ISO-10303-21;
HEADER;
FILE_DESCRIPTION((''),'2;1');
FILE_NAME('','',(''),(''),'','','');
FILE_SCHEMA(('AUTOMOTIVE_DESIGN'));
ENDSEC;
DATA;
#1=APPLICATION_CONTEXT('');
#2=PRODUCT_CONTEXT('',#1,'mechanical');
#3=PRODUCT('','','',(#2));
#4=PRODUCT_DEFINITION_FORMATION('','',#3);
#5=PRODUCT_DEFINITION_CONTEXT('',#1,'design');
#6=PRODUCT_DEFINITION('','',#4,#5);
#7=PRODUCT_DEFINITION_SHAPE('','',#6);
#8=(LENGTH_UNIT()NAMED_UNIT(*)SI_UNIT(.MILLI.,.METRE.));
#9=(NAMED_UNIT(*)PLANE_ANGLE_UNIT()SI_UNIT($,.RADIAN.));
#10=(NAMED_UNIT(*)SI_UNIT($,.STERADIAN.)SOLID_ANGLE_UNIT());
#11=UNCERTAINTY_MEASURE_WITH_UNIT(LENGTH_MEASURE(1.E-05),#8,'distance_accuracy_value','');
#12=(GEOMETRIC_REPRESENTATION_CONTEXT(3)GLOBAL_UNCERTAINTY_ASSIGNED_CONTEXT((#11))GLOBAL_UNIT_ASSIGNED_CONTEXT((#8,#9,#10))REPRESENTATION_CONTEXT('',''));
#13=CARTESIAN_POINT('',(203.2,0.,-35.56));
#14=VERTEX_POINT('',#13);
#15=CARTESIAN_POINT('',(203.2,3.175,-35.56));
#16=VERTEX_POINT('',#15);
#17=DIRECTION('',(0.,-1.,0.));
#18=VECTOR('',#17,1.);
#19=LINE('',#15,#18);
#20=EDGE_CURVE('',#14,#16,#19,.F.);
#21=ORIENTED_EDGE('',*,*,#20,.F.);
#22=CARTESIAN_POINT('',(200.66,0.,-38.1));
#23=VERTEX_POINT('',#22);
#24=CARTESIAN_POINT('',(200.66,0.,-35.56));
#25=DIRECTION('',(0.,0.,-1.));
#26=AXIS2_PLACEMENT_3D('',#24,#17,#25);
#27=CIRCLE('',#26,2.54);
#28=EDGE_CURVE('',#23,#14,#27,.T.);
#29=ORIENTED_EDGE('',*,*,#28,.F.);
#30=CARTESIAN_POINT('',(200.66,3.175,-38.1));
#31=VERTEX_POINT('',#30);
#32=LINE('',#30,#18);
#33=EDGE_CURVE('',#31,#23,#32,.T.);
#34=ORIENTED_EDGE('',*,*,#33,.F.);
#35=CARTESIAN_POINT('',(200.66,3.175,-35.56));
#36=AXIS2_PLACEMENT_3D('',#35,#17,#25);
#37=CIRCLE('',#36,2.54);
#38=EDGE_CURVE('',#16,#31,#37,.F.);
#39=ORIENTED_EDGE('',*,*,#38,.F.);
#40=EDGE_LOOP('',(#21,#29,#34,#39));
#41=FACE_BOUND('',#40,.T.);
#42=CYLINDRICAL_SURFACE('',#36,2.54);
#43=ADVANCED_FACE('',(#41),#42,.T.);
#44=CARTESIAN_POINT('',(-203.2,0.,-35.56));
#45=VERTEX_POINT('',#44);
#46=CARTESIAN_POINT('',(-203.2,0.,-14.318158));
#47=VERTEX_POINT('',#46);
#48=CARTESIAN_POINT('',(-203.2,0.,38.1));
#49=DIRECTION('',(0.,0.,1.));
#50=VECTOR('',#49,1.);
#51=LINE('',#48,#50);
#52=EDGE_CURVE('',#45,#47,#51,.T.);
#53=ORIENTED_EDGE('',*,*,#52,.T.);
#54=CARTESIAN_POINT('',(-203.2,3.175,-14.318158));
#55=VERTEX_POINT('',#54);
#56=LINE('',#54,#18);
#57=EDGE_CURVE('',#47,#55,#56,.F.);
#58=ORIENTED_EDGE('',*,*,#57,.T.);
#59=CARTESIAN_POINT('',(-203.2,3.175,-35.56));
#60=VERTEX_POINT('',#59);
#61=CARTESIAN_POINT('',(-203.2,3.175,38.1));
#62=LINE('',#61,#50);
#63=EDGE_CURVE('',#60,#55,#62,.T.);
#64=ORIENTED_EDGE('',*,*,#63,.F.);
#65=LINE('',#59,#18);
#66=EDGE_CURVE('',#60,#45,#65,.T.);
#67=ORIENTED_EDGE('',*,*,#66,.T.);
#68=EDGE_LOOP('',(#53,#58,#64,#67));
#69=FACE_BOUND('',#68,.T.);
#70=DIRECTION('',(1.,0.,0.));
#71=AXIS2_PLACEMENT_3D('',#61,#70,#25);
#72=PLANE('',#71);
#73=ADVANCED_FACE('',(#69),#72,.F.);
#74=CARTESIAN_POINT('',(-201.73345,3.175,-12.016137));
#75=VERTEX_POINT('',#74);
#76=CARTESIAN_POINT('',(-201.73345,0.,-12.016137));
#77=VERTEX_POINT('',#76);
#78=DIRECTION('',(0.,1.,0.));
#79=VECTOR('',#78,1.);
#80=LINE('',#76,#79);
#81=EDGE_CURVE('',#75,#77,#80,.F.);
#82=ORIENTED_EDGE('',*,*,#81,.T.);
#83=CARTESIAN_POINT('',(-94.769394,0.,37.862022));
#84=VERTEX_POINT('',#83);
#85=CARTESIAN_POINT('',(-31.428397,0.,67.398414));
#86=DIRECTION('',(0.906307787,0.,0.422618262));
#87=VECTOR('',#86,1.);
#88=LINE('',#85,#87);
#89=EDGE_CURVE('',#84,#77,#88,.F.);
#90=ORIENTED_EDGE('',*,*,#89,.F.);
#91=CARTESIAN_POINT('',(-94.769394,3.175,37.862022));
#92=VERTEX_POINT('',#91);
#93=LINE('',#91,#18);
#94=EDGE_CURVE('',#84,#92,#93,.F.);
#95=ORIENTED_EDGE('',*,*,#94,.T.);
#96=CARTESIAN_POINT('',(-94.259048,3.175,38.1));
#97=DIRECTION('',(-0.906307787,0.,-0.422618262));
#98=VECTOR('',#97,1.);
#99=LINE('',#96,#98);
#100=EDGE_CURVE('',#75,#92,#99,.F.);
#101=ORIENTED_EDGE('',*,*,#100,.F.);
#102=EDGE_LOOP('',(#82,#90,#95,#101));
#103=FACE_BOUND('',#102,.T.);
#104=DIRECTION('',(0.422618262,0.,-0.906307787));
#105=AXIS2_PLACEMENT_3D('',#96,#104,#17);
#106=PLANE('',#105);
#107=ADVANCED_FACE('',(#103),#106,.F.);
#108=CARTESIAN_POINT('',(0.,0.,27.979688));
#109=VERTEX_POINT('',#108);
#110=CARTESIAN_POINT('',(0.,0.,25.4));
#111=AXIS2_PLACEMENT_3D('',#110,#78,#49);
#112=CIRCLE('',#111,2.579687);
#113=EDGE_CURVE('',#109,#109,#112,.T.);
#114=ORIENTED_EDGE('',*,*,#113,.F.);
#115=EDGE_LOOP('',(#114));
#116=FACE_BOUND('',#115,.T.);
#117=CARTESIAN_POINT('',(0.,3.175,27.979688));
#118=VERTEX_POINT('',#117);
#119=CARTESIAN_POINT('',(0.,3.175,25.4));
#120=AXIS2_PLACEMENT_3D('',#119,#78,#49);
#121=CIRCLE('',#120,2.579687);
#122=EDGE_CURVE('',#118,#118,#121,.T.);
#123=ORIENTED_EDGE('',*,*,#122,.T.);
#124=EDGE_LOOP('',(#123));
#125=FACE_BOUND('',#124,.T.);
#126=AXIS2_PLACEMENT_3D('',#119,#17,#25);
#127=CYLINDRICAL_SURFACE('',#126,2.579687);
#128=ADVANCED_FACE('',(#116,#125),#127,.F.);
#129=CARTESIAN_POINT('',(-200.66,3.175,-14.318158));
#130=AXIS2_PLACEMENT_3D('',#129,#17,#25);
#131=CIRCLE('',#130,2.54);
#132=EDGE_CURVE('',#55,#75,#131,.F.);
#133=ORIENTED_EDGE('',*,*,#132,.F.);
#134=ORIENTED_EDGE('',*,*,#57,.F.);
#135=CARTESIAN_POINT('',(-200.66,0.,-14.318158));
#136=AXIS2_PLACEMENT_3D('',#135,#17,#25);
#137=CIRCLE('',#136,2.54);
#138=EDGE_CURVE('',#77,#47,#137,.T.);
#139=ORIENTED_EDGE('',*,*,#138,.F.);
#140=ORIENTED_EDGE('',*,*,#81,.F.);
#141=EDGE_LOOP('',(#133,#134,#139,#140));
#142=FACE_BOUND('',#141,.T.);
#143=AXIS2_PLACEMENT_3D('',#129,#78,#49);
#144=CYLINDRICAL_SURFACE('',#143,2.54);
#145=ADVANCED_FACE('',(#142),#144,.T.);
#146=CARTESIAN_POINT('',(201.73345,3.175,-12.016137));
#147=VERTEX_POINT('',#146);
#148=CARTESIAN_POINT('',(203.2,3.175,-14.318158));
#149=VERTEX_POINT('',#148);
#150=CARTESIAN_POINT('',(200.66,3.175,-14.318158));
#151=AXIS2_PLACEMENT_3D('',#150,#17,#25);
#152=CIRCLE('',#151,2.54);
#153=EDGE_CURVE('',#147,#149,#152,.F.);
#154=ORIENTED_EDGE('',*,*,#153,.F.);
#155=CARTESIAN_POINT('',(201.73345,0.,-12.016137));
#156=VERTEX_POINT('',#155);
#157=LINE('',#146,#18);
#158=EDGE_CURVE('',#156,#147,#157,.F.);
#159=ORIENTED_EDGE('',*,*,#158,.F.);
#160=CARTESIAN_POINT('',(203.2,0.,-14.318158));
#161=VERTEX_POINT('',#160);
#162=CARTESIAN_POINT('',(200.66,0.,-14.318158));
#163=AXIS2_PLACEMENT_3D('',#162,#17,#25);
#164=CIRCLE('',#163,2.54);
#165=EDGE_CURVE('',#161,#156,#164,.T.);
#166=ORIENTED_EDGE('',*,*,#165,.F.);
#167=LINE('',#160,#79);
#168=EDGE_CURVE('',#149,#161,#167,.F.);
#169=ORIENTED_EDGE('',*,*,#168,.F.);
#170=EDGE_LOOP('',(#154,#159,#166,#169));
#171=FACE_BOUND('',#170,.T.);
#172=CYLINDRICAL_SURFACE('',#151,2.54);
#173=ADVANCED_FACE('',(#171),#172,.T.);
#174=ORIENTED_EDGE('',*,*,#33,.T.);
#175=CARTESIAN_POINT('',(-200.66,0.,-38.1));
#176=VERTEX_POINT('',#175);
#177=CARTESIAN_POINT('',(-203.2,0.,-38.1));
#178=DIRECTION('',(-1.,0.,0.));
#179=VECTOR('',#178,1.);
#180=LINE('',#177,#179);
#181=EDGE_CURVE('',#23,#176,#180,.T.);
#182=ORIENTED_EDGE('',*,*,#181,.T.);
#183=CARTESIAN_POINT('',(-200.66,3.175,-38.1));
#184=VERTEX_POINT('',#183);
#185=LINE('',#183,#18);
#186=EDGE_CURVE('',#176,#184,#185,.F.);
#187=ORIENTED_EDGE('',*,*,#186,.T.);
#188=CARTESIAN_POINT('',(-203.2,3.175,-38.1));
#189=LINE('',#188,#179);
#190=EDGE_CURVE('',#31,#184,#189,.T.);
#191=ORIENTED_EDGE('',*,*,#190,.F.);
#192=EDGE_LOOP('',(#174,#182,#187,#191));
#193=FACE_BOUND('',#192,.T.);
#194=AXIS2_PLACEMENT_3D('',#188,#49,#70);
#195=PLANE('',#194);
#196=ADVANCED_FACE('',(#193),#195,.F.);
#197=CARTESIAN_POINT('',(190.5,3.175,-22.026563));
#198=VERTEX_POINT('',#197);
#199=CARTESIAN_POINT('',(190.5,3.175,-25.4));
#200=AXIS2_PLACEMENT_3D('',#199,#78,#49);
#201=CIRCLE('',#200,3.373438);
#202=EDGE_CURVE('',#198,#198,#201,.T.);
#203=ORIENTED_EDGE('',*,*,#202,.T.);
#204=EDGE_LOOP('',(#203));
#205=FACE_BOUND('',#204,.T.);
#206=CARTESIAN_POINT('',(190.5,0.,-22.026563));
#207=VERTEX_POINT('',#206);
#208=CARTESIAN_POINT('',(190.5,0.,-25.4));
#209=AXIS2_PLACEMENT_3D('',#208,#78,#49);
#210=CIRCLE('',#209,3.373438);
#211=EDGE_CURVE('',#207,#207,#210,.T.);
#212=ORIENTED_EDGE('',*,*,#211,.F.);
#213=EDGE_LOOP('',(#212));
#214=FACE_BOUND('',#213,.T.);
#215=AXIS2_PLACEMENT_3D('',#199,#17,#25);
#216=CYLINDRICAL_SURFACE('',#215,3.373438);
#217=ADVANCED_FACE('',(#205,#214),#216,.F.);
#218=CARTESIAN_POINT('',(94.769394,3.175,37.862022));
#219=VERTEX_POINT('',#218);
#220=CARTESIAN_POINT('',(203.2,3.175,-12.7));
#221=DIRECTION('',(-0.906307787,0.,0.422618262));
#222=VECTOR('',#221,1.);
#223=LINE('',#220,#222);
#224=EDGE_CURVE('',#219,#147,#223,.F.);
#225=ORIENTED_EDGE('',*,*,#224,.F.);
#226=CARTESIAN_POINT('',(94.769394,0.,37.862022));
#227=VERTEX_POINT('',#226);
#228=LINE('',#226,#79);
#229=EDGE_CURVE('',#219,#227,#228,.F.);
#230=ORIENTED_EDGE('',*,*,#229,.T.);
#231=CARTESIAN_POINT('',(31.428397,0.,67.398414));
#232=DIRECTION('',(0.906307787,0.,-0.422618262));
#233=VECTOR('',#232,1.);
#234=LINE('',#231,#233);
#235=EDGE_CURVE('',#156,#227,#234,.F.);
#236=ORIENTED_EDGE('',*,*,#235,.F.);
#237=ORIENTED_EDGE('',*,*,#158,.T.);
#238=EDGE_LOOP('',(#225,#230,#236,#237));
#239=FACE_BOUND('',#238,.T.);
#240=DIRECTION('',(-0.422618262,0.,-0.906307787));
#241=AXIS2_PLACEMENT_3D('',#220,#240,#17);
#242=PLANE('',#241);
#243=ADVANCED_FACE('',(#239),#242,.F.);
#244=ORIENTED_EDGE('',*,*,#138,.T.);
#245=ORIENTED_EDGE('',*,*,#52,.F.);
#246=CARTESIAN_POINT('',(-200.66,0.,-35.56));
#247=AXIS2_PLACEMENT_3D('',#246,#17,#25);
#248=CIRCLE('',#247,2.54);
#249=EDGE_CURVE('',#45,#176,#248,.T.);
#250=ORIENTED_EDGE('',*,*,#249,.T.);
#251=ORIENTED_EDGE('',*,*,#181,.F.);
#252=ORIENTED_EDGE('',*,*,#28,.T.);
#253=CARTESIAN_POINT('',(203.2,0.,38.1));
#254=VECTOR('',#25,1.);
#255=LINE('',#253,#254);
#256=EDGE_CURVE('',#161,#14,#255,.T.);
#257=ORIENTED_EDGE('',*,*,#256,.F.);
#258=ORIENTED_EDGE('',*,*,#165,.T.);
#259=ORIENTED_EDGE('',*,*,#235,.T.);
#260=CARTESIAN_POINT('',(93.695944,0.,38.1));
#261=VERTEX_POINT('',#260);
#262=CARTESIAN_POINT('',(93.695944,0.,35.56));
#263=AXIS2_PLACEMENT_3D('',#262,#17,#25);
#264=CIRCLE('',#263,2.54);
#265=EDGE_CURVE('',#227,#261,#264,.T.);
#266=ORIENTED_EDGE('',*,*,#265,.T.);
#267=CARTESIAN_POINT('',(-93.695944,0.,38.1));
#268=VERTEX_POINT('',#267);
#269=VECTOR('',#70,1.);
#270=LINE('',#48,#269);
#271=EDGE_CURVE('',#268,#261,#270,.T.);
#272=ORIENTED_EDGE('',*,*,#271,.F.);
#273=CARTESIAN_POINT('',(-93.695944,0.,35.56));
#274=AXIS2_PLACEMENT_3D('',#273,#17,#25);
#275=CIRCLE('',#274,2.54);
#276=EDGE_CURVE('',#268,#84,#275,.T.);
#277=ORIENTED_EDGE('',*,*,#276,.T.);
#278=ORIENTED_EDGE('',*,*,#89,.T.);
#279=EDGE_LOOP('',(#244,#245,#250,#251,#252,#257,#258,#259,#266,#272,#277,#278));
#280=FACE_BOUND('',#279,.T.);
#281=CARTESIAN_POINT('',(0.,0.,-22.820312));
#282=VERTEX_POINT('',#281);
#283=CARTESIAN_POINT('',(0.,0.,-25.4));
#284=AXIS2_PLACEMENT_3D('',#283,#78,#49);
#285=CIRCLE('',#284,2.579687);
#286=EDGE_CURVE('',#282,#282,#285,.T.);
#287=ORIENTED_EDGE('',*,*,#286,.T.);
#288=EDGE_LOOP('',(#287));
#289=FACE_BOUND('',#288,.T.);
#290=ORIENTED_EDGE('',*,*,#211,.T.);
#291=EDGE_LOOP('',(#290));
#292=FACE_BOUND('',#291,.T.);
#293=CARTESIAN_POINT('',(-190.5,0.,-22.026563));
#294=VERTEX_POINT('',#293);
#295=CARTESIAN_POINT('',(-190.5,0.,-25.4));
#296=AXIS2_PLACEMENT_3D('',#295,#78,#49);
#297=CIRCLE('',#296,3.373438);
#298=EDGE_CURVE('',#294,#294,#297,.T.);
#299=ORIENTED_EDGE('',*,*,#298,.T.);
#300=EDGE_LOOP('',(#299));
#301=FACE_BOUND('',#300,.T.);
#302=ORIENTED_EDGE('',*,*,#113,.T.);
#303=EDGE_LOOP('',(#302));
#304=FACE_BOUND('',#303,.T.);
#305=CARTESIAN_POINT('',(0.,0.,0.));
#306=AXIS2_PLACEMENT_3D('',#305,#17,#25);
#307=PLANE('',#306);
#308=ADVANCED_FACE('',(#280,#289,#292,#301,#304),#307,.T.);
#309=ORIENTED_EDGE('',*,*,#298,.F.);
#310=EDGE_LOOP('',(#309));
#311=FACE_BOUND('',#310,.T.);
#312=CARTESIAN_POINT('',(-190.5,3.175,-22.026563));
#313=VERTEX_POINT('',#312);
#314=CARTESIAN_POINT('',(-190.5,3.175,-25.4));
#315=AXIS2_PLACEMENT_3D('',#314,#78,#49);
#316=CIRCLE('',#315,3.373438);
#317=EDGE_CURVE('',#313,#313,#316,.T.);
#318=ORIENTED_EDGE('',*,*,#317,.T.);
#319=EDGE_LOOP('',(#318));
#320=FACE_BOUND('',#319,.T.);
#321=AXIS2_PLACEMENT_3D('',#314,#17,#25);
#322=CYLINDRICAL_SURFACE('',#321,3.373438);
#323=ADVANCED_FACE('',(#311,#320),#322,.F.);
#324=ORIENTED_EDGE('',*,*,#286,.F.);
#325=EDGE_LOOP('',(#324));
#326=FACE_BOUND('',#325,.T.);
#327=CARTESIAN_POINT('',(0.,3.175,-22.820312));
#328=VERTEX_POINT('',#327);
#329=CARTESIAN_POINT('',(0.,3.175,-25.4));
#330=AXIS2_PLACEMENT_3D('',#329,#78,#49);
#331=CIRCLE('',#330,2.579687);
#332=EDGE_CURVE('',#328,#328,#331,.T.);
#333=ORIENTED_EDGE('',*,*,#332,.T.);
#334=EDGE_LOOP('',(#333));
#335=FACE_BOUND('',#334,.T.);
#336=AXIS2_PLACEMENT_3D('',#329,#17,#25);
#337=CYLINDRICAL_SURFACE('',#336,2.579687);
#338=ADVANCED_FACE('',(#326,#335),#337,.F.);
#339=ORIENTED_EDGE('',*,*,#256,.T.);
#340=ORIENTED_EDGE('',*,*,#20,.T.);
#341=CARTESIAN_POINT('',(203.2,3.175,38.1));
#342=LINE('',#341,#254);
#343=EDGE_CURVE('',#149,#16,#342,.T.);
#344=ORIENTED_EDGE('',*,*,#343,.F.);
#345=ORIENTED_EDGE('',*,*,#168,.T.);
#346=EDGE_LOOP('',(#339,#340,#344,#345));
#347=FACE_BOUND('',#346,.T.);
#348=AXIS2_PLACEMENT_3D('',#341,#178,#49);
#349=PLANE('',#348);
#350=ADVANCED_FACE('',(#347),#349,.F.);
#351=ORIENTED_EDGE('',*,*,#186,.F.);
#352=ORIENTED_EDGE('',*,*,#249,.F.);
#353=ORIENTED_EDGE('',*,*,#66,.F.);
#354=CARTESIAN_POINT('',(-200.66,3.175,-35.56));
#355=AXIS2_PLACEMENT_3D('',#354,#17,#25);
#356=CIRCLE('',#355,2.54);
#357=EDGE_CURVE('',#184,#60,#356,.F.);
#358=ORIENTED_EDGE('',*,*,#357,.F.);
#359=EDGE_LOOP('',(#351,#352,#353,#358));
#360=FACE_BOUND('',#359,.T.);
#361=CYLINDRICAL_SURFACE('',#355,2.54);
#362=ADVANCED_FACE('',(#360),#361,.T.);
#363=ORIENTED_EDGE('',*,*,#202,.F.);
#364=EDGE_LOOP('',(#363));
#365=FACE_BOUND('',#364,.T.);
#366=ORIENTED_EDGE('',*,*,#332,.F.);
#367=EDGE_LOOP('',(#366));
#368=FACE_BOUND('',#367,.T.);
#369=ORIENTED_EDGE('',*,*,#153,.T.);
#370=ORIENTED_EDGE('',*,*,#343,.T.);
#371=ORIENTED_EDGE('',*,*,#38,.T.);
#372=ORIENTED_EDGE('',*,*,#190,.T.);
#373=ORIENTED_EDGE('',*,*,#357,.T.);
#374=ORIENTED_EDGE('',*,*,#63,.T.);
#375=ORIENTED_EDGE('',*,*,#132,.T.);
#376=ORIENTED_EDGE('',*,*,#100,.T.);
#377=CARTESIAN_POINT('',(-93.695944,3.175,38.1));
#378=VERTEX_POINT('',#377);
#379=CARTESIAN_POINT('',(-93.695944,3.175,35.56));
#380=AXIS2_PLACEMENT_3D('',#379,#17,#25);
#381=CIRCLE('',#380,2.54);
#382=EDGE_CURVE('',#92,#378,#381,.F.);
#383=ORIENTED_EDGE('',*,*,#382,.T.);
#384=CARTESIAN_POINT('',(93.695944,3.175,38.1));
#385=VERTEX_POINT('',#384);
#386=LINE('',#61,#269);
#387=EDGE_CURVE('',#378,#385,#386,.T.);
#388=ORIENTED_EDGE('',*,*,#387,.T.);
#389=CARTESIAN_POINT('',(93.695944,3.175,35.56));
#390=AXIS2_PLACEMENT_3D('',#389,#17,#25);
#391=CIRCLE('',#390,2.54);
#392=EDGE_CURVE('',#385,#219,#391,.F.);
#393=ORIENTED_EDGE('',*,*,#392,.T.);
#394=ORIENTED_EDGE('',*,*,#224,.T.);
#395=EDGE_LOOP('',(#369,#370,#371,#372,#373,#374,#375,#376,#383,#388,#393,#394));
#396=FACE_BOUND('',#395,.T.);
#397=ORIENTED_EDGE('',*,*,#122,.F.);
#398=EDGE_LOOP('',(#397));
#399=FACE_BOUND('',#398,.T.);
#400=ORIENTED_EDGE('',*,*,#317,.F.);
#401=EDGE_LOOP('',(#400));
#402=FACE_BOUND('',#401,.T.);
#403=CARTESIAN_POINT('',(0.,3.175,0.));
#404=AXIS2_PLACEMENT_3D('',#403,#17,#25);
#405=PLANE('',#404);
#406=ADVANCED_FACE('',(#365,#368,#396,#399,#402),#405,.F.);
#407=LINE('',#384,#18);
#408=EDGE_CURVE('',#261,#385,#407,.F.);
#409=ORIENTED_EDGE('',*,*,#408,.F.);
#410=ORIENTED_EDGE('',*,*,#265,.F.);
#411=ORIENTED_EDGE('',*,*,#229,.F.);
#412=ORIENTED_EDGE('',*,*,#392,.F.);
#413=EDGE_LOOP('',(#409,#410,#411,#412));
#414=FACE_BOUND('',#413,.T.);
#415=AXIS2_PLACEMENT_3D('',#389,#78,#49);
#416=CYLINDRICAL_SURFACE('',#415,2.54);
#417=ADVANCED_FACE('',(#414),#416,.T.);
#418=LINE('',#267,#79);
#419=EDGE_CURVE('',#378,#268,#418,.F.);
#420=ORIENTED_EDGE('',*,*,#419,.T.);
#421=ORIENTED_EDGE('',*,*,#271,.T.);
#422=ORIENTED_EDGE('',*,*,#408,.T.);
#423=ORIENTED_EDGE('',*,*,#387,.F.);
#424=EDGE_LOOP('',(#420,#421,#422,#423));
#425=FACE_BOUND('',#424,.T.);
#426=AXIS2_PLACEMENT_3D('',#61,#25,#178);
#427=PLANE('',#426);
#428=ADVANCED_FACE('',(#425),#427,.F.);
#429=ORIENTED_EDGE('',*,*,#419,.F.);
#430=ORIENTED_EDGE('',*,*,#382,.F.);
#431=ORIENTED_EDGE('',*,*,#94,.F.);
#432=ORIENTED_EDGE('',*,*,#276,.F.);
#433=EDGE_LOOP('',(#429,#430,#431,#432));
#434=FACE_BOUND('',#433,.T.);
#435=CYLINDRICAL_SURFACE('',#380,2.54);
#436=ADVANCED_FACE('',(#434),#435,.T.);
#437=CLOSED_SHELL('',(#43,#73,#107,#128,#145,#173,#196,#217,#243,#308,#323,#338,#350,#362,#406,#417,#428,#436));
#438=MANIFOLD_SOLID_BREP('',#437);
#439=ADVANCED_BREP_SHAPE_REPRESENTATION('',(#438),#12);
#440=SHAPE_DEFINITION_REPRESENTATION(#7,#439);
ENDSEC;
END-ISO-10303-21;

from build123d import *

# Parameters (mm, degrees)
SKETCH1_W           = 406.4
SKETCH1_H           = 76.2
SKETCH1_R           = 3.3734375
SKETCH1_R_2         = 2.5796875
BOSS_EXTRUDE1_DEPTH = 3.175
CHAMFER1_SIZE       = 50.8
CHAMFER1_SIZE2      = 108.940951562
CHAMFER2_SIZE       = 50.8
CHAMFER2_SIZE2      = 108.940951562
FILLET1_R           = 2.54


with BuildPart() as part:
    # Sketch1 → Boss-Extrude1 (new body)
    with BuildSketch(Plane(origin=(0, 0, 0), x_dir=(1, 0, 0), z_dir=(0, 1, 0))):
        Rectangle(SKETCH1_W, SKETCH1_H)
        with Locations(Location((-190.5, 25.4, 0), (0, 0, 270))):
            Circle(SKETCH1_R, mode=Mode.SUBTRACT)
        with Locations(Location((190.5, 25.4, 0), (0, 0, 270))):
            Circle(SKETCH1_R, mode=Mode.SUBTRACT)
        with Locations(Location((0, 25.4, 0), (0, 0, 270))):
            Circle(SKETCH1_R_2, mode=Mode.SUBTRACT)
        with Locations(Location((0, -25.4, 0), (0, 0, 270))):
            Circle(SKETCH1_R_2, mode=Mode.SUBTRACT)
    extrude(amount=BOSS_EXTRUDE1_DEPTH)

    # Chamfer1
    chamfer1_edges = [part.edges().sort_by_distance(p)[0] for p in [
        (-203.2, 1.5875, 38.1),
    ]]
    chamfer1_side = [part.faces().sort_by_distance(p)[0] for p in [
        (-203.2, 1.5875, 0),
    ]]
    chamfer(chamfer1_edges, length=CHAMFER1_SIZE, length2=CHAMFER1_SIZE2, reference=chamfer1_side[0])

    # Chamfer2
    chamfer2_edges = [part.edges().sort_by_distance(p)[0] for p in [
        (203.2, 1.5875, 38.1),
    ]]
    chamfer2_side = [part.faces().sort_by_distance(p)[0] for p in [
        (203.2, 1.5875, 0),
    ]]
    chamfer(chamfer2_edges, length=CHAMFER2_SIZE, length2=CHAMFER2_SIZE2, reference=chamfer2_side[0])

    # Fillet1
    fillet1_edges = [part.edges().sort_by_distance(p)[0] for p in [
        (-94.259048438, 1.5875, 38.1),
        (-203.2, 1.5875, -12.7),
        (203.2, 1.5875, -12.7),
        (94.259048438, 1.5875, 38.1),
        (-203.2, 1.5875, -38.1),
        (203.2, 1.5875, -38.1),
    ]]
    fillet(fillet1_edges, radius=FILLET1_R)


solid = part.part
